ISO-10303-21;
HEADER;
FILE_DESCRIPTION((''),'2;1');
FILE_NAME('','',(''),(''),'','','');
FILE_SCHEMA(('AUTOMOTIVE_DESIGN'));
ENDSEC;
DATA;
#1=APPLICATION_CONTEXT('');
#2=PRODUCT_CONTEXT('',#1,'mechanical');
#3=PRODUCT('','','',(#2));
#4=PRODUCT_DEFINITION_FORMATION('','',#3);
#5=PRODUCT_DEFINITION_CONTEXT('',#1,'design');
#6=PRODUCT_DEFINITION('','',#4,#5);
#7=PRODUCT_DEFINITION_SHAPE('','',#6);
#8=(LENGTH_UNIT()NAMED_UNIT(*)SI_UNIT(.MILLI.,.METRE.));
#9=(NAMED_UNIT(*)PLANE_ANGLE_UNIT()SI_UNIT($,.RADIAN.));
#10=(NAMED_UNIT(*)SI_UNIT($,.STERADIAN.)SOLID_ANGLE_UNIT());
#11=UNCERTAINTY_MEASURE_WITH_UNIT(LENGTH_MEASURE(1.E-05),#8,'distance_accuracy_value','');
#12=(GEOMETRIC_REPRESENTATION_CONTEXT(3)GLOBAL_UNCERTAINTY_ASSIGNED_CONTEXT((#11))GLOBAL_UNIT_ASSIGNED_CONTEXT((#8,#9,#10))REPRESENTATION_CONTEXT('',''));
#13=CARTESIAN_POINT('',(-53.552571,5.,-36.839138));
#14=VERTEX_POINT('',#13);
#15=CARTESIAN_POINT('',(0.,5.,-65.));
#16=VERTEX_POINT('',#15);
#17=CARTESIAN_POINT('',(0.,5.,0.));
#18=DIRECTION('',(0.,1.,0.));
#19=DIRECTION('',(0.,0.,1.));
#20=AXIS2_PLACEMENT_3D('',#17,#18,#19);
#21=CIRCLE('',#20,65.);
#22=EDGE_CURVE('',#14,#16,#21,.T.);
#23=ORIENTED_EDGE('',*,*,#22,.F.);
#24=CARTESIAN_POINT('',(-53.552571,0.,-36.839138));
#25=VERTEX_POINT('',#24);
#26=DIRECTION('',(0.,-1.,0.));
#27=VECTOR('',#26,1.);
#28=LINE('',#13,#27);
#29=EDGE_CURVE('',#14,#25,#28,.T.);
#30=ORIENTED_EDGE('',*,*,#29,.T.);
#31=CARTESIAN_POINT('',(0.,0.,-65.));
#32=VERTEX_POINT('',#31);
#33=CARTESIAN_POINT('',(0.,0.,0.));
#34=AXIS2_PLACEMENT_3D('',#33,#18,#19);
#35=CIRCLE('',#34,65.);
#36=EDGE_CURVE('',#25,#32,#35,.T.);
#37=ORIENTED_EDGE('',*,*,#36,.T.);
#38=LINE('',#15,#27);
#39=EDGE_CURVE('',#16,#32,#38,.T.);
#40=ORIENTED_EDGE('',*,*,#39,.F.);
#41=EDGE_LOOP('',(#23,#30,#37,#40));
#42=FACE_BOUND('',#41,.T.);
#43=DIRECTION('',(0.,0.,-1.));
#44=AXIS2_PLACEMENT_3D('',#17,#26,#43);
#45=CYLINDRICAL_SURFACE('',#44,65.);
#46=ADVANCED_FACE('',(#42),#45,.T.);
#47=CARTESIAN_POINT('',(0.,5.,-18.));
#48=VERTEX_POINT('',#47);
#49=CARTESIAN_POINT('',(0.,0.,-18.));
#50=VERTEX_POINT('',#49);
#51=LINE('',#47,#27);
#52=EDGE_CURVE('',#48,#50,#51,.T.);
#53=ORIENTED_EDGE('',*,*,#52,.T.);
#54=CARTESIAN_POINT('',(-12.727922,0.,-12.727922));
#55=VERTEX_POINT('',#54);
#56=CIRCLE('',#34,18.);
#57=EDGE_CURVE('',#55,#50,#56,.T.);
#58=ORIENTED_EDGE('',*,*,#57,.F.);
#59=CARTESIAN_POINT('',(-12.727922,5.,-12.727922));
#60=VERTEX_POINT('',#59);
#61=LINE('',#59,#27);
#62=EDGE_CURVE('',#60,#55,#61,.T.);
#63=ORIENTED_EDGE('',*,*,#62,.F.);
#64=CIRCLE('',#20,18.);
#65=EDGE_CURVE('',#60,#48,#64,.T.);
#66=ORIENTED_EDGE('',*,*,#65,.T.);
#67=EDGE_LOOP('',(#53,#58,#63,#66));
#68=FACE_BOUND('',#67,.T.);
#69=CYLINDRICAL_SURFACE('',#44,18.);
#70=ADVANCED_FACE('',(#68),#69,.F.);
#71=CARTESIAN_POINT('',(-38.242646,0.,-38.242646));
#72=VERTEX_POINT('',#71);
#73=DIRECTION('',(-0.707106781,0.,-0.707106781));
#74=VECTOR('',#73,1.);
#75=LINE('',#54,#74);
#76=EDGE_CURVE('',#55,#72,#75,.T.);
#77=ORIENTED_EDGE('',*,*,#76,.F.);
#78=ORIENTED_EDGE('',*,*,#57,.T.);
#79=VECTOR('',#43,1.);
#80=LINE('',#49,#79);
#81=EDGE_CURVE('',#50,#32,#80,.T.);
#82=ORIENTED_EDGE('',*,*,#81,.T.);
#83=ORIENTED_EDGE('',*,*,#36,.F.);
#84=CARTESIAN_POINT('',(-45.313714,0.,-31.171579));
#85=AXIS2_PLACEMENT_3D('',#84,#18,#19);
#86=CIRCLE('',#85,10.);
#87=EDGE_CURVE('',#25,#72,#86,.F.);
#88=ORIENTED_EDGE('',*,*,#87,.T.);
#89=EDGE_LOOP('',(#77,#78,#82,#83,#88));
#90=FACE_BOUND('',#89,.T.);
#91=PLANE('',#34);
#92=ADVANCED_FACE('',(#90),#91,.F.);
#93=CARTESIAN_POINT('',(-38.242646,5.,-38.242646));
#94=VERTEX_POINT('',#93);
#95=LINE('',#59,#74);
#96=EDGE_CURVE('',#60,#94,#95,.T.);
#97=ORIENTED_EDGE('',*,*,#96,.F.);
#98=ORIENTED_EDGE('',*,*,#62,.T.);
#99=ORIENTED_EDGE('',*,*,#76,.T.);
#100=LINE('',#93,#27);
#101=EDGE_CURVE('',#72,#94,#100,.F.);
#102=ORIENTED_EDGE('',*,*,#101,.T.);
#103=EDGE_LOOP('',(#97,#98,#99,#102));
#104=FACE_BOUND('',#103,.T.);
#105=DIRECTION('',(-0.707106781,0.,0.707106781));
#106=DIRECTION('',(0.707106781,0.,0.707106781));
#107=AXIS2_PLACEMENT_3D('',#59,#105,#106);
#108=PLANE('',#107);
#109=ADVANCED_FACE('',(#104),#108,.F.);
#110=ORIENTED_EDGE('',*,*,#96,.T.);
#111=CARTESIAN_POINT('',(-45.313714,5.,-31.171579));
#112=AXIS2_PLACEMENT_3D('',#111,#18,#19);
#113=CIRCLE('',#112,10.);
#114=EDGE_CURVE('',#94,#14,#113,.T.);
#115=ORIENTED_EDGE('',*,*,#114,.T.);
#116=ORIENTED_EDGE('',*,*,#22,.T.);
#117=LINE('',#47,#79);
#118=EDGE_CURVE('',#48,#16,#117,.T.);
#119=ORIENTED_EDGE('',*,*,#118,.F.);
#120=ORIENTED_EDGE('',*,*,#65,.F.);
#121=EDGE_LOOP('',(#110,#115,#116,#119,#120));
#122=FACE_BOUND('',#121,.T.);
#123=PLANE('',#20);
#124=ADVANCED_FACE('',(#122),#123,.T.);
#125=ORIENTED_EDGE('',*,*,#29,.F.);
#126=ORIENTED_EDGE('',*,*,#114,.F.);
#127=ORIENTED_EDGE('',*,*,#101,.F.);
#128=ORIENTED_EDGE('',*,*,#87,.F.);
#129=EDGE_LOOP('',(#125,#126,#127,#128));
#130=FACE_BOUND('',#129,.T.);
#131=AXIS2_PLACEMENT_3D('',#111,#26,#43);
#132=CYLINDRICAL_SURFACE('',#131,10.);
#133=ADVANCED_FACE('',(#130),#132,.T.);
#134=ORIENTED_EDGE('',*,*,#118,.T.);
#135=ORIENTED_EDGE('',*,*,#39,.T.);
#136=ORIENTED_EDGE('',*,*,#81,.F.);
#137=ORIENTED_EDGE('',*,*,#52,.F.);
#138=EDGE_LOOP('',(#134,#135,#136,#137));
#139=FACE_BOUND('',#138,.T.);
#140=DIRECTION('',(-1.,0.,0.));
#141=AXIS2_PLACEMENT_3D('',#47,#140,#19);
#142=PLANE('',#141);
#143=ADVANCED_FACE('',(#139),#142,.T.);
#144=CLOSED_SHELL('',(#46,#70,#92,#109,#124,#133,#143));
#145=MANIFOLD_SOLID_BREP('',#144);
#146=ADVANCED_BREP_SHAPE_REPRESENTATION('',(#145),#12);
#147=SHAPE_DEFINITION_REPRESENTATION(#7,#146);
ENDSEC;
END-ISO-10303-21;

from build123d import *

# Parameters (mm, degrees)
EXTRUDE_1_DEPTH = 5
FILLET_1_R      = 10


with BuildPart() as part:
    # Эскиз1 → Бобышка-Вытянуть1 (new body)
    with BuildSketch(Plane(origin=(0, 0, 0), x_dir=(1, 0, 0), z_dir=(0, 1, 0))):
        with BuildLine():
            Line((-12.727922061, 12.727922061), (-45.961940777, 45.961940777))
            ThreePointArc((-45.961940777, 45.961940777), (24.874423104, -60.052169613), (0, 65))
            Line((0, 65), (0, 18))
            ThreePointArc((0, 18), (6.888301783, -16.629831585), (-12.727922061, 12.727922061))
        make_face()
    extrude(amount=EXTRUDE_1_DEPTH)

    # Скругление1
    fillet_1_edges = [part.edges().sort_by_distance(p)[0] for p in [
        (-45.961940777, 2.5, -45.961940777),
    ]]
    fillet(fillet_1_edges, radius=FILLET_1_R)


solid = part.part
